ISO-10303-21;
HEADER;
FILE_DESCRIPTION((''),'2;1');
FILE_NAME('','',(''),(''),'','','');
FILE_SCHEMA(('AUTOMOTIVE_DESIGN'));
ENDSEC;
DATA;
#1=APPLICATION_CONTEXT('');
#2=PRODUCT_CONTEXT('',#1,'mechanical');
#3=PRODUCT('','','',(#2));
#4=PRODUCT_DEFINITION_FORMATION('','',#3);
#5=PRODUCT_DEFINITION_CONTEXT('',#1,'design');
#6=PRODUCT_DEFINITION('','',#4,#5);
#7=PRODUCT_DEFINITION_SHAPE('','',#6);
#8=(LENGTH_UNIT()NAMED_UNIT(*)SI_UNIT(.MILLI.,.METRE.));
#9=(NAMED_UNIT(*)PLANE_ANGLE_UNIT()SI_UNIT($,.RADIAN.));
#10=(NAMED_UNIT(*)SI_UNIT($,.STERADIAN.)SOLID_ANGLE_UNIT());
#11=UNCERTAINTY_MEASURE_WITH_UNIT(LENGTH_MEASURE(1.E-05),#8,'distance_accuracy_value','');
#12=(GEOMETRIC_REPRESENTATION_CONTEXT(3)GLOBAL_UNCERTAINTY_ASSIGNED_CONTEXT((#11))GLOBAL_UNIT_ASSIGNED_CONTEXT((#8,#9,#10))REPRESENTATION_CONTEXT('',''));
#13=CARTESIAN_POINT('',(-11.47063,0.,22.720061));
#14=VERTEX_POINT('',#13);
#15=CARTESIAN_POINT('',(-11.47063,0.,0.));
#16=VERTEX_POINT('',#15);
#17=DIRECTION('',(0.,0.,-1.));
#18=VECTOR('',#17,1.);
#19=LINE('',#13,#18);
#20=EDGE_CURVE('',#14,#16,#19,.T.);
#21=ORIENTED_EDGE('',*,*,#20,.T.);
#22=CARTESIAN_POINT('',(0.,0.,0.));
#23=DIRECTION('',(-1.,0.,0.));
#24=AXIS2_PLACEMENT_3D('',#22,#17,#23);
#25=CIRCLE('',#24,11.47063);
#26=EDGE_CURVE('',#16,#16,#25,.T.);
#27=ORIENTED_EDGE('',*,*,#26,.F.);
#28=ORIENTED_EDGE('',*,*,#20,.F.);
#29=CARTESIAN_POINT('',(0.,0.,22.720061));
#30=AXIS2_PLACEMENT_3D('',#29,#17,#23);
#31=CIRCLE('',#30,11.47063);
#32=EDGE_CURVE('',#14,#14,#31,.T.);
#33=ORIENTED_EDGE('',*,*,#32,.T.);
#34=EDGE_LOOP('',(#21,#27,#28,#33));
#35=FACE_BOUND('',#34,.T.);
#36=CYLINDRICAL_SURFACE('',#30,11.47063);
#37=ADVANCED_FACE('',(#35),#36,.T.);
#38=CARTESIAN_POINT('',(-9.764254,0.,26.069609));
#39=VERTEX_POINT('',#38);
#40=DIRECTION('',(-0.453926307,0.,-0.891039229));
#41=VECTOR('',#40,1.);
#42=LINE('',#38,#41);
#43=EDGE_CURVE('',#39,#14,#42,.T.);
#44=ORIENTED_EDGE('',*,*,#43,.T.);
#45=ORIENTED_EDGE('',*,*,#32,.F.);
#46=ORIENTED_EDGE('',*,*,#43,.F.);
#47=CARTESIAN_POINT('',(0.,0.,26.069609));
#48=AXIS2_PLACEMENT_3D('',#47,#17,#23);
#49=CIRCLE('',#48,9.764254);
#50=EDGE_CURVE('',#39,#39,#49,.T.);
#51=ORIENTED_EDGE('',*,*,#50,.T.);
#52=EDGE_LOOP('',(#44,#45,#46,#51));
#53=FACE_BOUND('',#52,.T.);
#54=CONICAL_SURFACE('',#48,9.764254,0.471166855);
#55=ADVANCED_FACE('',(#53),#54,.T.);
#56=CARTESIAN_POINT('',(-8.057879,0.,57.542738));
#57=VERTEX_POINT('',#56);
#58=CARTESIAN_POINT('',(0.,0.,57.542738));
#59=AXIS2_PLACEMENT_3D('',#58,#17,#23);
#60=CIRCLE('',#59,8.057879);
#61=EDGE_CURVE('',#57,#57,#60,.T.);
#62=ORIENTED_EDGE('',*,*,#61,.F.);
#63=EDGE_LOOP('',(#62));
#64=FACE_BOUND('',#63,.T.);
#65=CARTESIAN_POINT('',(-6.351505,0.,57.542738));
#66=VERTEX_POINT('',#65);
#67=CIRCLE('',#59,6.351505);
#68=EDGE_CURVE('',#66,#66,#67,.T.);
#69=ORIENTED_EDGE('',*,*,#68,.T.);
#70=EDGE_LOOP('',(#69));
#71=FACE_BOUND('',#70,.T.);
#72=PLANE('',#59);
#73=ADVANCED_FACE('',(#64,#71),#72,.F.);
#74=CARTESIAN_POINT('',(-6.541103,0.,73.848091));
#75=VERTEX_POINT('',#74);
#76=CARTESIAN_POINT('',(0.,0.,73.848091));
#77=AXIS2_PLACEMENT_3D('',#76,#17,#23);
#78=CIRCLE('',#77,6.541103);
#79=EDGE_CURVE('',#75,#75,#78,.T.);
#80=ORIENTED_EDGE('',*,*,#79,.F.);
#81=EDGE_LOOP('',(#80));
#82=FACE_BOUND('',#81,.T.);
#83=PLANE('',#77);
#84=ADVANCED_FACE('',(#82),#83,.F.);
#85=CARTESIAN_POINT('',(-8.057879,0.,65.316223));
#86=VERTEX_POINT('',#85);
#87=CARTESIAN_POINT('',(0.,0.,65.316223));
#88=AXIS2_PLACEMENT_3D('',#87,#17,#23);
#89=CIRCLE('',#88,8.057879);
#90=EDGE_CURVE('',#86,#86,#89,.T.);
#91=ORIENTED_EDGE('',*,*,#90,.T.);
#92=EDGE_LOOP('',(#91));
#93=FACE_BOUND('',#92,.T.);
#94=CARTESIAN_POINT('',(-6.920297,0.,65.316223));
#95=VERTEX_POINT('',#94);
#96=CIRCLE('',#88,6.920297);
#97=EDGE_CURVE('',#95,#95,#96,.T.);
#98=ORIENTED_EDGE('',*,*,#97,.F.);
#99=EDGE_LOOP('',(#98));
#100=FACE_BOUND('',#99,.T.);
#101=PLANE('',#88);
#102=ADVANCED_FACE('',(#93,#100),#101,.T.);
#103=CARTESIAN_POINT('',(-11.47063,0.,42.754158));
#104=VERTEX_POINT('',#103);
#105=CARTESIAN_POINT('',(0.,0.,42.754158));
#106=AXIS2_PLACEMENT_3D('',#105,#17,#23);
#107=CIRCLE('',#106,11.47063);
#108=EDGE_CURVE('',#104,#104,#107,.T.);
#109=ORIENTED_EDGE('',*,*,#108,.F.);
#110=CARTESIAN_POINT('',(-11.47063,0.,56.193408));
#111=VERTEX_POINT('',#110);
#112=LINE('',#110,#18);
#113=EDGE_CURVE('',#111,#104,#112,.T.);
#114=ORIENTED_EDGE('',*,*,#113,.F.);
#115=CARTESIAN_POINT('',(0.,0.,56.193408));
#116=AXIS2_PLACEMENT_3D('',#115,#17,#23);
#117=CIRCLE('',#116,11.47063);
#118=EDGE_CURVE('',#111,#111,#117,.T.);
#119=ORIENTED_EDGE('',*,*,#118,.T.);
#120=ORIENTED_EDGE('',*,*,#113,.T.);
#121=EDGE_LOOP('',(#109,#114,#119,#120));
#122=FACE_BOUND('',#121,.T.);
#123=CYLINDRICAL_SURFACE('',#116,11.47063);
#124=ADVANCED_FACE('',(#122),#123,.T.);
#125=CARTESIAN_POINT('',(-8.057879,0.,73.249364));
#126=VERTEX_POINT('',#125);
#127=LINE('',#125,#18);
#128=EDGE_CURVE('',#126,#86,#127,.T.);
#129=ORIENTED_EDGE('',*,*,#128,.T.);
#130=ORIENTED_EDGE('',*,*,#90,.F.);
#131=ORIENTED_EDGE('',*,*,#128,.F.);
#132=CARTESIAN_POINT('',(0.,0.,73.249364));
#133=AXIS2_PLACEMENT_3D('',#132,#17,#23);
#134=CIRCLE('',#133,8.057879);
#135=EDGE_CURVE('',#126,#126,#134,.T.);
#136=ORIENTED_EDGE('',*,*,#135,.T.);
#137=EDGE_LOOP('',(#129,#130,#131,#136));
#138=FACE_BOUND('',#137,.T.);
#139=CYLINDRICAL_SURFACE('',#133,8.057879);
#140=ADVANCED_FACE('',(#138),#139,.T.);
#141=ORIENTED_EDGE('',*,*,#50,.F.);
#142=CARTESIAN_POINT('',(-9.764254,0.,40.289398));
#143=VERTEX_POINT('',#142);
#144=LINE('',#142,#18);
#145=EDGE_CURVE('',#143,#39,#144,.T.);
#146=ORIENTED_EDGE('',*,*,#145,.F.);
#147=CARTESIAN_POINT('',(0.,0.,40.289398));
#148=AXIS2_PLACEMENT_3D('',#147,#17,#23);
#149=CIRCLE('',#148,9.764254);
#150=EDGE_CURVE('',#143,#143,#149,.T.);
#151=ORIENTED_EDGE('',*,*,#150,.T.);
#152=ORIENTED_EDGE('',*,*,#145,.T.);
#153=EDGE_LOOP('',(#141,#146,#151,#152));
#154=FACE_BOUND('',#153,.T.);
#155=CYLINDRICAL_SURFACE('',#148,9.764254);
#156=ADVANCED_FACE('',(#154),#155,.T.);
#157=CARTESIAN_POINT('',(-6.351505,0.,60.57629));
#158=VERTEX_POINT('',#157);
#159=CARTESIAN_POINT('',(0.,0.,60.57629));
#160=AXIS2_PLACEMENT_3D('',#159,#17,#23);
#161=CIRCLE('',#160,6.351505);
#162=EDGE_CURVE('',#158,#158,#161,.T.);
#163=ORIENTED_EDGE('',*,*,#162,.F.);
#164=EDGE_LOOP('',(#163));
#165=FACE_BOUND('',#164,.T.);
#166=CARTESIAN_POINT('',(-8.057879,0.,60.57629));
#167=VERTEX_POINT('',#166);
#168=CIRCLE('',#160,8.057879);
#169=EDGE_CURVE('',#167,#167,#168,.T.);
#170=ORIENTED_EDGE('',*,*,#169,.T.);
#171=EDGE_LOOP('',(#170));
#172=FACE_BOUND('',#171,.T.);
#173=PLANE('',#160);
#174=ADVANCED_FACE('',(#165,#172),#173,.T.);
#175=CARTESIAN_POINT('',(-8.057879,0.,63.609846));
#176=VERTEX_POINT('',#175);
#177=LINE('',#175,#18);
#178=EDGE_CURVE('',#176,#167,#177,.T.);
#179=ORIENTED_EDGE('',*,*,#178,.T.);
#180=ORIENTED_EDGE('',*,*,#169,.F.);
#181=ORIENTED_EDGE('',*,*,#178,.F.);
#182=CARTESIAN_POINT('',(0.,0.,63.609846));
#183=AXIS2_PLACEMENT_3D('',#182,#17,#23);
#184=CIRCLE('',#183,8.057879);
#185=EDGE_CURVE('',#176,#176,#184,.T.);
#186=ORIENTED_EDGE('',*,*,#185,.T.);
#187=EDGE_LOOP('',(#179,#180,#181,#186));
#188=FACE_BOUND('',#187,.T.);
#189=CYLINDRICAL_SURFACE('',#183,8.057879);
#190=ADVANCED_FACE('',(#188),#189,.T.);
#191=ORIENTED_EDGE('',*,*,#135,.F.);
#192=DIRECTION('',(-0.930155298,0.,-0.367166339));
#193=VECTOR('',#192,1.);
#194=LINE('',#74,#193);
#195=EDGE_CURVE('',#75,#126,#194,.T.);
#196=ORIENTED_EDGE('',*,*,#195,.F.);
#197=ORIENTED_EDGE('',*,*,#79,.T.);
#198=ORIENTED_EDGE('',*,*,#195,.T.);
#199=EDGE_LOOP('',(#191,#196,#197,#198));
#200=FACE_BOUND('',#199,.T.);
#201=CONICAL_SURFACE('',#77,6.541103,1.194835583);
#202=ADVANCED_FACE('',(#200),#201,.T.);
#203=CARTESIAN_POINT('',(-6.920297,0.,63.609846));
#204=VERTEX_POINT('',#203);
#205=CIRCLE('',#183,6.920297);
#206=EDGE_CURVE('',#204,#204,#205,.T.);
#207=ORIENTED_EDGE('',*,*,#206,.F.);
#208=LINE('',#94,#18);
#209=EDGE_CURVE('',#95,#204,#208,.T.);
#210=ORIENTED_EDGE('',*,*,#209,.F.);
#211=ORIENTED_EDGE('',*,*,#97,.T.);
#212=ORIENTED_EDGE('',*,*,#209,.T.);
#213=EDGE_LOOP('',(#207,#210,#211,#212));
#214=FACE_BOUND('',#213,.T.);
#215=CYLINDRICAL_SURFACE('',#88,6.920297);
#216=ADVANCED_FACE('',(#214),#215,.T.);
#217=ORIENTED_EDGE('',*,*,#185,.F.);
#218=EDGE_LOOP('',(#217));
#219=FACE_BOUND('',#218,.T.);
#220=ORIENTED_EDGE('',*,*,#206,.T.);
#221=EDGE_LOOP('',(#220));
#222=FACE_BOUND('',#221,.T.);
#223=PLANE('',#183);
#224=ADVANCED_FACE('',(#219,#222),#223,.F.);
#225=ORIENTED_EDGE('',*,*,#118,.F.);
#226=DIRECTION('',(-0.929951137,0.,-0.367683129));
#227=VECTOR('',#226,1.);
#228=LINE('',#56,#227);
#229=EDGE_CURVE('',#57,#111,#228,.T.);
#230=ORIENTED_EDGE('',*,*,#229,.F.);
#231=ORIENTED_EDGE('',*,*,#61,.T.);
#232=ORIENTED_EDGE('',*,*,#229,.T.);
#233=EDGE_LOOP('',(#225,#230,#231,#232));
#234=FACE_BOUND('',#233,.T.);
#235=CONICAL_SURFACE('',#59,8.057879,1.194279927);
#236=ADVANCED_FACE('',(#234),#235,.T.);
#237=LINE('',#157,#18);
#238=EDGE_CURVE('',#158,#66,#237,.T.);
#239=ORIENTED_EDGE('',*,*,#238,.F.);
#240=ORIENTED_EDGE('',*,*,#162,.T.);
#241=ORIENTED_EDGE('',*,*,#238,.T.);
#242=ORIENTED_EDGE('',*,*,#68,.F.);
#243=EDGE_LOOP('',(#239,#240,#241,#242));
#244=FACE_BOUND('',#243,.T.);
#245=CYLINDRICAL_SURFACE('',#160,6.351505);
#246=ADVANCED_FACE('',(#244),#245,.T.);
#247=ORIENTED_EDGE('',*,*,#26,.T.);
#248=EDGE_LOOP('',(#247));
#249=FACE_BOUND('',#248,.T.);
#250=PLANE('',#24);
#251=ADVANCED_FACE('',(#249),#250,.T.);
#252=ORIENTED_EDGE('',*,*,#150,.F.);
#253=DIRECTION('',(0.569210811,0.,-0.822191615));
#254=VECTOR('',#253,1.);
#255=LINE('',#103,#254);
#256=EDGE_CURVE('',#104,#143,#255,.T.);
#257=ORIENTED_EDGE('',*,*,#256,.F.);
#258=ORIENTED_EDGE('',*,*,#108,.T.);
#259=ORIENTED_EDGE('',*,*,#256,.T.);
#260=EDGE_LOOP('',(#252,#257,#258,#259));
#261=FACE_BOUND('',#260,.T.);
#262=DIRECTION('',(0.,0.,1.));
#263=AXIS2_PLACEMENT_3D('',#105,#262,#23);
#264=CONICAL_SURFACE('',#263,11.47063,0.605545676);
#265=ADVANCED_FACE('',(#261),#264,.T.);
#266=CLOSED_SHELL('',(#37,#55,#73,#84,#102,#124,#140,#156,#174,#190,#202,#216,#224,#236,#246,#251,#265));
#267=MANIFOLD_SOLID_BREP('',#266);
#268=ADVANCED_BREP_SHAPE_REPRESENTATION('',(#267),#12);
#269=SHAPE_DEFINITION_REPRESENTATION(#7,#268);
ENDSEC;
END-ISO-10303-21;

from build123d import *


with BuildPart() as f1:
    # F0 (on Front) → F1 (revolve)
    with BuildSketch(Plane.XZ):
        Polygon((-11.47063, 0), (0, 0), (0, 73.848091), (-6.541103, 73.848091), (-8.057879, 73.249364), (-8.057879, 65.316223), (-6.920297, 65.316223), (-6.920297, 63.609846), (-8.057879, 63.609846), (-8.057879, 60.57629), (-6.351505, 60.57629), (-6.351505, 57.542738), (-8.057879, 57.542738), (-11.47063, 56.193408), (-11.47063, 42.754158), (-9.764254, 40.289398), (-9.764254, 26.069609), (-11.47063, 22.720061), align=None)
    revolve(axis=Axis((0, 0, 36.924046), (0, 0, -1)))


solid = f1.part
